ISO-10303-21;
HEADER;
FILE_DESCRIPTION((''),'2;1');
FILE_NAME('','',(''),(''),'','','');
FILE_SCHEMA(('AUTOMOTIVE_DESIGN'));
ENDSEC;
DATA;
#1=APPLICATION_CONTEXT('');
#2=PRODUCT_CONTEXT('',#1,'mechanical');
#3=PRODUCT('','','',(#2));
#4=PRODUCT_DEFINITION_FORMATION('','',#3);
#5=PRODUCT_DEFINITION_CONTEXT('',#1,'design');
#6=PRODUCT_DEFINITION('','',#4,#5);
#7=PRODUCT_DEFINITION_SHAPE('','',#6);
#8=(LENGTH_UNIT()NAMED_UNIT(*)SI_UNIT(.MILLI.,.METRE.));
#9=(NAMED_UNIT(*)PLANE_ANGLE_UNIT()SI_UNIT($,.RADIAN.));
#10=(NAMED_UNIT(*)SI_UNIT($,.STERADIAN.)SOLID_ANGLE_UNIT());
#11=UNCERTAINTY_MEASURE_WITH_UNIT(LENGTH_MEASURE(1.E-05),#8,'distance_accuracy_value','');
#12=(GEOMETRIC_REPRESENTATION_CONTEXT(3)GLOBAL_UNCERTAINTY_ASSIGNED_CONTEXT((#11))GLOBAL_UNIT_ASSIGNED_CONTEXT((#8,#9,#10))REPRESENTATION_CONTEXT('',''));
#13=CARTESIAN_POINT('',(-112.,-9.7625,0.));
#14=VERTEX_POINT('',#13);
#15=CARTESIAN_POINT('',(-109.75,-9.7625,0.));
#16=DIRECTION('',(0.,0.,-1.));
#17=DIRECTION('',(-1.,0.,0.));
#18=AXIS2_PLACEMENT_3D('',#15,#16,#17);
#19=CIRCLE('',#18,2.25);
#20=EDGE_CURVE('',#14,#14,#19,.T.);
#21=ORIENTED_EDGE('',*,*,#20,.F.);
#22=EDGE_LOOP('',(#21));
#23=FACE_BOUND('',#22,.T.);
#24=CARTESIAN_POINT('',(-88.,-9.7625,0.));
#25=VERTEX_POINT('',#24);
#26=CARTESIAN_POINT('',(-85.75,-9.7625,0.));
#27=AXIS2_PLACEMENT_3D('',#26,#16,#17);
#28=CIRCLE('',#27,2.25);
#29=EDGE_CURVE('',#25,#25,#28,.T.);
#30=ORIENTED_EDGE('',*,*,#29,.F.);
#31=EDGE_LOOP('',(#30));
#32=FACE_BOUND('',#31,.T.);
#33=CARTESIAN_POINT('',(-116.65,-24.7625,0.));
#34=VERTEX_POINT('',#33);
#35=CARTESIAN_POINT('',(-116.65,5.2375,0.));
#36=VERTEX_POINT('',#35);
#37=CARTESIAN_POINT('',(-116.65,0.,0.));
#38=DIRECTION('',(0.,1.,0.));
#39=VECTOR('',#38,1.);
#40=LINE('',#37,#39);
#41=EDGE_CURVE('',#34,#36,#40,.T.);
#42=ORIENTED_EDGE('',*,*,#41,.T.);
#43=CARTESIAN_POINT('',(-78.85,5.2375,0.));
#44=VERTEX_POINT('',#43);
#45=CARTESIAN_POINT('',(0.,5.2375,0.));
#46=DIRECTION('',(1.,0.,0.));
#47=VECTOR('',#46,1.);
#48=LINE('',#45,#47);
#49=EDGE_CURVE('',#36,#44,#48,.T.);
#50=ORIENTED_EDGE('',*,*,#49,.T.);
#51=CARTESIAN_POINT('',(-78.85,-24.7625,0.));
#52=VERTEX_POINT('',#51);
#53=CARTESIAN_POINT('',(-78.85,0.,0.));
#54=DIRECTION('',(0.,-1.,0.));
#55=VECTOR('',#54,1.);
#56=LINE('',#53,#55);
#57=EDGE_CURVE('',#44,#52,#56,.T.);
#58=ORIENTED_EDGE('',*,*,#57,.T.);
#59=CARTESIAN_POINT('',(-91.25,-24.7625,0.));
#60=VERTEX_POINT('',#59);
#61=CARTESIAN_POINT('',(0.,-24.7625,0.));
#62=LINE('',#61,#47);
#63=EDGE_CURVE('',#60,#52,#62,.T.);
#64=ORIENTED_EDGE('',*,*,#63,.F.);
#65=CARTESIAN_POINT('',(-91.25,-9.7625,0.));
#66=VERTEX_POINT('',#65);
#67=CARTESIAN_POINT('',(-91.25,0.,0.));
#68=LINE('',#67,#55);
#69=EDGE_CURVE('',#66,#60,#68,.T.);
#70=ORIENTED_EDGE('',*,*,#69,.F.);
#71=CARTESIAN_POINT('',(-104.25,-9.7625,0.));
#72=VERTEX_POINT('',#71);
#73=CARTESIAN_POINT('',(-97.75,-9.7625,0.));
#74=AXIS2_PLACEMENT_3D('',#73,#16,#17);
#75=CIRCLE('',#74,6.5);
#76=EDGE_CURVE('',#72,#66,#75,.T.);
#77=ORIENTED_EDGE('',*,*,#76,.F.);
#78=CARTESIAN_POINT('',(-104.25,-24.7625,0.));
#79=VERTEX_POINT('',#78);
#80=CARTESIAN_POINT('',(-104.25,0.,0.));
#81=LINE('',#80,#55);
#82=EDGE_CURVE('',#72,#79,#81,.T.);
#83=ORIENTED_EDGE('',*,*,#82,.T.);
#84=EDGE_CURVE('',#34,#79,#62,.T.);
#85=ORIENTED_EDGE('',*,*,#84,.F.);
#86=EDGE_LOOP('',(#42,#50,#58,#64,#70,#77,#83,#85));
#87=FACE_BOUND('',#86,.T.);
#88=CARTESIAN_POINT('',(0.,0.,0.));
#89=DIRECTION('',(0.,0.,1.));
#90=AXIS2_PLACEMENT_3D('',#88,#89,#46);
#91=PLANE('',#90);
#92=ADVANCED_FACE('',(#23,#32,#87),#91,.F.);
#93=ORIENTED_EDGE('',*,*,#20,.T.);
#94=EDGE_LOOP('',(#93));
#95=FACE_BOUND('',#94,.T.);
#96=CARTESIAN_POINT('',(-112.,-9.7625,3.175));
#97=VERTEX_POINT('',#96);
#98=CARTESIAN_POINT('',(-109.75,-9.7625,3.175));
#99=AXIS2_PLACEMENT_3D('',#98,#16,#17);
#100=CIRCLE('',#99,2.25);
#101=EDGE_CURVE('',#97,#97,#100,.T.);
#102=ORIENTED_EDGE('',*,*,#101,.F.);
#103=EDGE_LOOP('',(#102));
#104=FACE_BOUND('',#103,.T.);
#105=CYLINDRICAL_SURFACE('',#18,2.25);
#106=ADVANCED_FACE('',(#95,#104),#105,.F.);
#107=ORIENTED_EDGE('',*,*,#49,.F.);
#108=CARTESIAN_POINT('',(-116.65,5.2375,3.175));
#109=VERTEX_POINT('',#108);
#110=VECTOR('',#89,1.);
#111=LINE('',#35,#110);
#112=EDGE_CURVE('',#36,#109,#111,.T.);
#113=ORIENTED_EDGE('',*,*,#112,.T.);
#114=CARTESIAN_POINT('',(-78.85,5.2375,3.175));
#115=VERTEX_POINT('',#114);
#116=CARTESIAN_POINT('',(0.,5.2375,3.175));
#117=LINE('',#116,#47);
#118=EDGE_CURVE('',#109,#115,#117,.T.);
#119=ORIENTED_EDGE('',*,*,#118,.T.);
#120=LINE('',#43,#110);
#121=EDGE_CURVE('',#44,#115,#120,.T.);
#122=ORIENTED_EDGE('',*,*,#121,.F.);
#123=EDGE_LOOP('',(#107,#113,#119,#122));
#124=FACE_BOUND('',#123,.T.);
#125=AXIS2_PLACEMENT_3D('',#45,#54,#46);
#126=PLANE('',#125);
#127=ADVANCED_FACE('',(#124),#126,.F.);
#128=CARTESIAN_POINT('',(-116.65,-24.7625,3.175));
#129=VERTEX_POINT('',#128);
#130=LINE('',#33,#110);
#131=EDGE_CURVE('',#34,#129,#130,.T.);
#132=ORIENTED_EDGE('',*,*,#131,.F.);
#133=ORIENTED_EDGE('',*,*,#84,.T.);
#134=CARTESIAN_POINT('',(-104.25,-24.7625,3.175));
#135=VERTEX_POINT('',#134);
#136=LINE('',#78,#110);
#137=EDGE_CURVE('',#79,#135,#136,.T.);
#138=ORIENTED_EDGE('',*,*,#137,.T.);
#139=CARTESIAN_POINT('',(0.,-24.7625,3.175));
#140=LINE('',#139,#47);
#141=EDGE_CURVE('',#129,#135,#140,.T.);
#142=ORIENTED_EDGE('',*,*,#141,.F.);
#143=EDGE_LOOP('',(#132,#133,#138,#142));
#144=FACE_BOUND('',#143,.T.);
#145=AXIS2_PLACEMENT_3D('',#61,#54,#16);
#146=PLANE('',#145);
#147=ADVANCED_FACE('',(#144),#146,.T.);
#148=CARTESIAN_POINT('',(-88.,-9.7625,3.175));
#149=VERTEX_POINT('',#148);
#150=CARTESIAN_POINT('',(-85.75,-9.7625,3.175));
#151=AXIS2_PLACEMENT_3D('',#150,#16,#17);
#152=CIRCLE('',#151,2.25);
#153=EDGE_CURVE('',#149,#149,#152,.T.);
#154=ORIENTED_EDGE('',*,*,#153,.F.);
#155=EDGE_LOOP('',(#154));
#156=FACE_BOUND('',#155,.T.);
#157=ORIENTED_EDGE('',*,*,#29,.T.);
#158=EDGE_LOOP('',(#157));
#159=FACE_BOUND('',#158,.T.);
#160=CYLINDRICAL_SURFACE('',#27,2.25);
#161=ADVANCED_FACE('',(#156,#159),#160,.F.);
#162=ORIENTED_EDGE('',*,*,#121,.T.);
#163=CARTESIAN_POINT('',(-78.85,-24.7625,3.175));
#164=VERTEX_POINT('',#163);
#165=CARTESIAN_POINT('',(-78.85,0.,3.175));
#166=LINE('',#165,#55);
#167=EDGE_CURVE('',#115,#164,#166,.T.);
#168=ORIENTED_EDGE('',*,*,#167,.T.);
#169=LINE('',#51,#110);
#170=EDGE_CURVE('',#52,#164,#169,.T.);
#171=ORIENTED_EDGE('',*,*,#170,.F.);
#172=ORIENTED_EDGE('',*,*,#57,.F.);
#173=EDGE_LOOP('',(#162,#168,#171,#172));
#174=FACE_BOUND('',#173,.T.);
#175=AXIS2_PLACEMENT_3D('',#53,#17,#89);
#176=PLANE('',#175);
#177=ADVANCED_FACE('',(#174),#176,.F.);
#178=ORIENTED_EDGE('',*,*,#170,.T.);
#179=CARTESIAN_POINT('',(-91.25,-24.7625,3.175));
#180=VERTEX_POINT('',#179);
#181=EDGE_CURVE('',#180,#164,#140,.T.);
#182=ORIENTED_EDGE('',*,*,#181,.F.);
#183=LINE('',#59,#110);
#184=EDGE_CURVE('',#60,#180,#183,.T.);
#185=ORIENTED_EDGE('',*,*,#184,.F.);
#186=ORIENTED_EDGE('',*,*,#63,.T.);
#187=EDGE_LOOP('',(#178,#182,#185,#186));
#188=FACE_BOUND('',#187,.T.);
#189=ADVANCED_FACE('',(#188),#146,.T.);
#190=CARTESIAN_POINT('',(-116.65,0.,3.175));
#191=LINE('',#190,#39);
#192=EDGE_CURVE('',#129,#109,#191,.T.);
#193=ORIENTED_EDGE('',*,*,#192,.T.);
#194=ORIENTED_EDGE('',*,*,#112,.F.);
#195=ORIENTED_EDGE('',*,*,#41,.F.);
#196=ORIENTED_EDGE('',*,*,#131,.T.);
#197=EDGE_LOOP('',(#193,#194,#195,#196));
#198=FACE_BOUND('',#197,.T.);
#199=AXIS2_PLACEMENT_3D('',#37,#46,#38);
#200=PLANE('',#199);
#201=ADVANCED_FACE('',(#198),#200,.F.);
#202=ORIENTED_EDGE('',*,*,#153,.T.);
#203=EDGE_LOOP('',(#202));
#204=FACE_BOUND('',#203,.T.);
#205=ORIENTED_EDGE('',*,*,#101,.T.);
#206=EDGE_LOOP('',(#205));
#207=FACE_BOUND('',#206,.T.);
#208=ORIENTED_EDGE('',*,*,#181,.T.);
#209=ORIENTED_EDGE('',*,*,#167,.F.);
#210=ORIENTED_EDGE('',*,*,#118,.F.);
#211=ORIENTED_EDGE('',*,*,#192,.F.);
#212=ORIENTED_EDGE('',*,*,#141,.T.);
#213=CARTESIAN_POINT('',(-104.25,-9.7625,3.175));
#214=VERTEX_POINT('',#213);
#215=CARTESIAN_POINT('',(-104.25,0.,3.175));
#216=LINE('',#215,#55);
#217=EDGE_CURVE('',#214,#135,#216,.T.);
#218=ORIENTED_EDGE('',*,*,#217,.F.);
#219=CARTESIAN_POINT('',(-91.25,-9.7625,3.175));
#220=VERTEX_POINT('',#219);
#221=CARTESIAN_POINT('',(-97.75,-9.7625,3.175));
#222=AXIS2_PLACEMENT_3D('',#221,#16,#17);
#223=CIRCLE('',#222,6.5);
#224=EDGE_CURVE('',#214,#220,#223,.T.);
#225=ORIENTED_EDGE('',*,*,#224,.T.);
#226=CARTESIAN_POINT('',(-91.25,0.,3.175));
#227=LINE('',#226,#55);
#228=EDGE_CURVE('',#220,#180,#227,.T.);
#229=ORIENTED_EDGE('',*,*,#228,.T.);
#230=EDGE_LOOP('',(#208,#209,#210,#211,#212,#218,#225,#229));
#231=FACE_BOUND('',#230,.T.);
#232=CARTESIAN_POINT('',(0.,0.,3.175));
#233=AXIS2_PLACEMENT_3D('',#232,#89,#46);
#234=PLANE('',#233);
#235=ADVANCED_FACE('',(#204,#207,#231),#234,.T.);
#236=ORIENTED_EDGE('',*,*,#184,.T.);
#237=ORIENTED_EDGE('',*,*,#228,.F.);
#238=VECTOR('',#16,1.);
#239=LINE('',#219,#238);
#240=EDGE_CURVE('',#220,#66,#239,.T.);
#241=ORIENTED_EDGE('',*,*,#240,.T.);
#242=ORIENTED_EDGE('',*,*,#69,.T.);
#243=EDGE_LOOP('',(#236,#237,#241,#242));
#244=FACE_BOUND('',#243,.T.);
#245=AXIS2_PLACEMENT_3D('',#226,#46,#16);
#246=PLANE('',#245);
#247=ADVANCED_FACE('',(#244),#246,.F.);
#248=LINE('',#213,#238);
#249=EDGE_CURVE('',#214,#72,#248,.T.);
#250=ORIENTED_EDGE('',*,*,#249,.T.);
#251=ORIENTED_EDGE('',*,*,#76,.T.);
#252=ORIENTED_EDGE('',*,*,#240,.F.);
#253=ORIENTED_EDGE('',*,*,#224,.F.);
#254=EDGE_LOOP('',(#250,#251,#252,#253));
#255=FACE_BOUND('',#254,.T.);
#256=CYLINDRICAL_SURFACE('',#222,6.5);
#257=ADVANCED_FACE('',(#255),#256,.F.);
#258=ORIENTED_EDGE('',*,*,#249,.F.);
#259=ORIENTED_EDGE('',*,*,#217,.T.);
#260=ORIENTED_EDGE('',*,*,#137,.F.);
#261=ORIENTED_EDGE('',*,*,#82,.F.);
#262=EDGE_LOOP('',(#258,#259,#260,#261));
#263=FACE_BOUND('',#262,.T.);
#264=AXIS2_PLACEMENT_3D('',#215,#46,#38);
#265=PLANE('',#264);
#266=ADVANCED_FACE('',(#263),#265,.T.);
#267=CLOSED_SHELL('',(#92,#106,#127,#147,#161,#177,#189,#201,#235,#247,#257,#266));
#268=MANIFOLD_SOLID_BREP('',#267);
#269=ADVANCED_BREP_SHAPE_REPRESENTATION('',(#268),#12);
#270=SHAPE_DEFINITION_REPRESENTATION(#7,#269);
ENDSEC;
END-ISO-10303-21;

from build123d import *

# Parameters (mm, degrees)
SKETCH1_W            = 299.7
SKETCH1_H            = 76.075
BOSS_EXTRUDE1_DEPTH  = 3.175
CUT_EXTRUDE4_DEPTH   = 155.634907221
SKETCH3_R            = 6.5
CUT_EXTRUDE5_DEPTH   = 155.634907221
M4_CLEARANCE_HOLE1_D = 4.5
SKETCH12_W           = 144
SKETCH12_H           = 3.175
BOSS_EXTRUDE2_DEPTH  = 6.35
SKETCH14_R           = 2.25
SKETCH14_W           = 12.4
SKETCH14_H           = 13.275
CUT_EXTRUDE7_DEPTH   = 157.318115653


with BuildPart() as part:
    # Sketch1 → Boss-Extrude1 (new body)
    with BuildSketch(Plane.XY):
        Rectangle(SKETCH1_W, SKETCH1_H)
    extrude(amount=BOSS_EXTRUDE1_DEPTH)

    # Sketch8 → Cut-Extrude4 (cut, through all)
    with BuildSketch(Plane.XY.offset(3.175)):
        with BuildLine():
            Line((121.65, 18.5125), (123.65, 18.5125))
            ThreePointArc((123.65, 18.5125), (127.185533906, 17.048033906), (128.65, 13.5125))
            Line((128.65, 13.5125), (128.65, -27.282435401))
            ThreePointArc((128.65, -27.282435401), (127.185533906, -30.817969307), (123.65, -32.282435401))
            Line((123.65, -32.282435401), (121.65, -32.282435401))
            ThreePointArc((121.65, -32.282435401), (118.114466094, -30.817969307), (116.65, -27.282435401))
            Line((116.65, -27.282435401), (116.65, 13.5125))
            ThreePointArc((116.65, 13.5125), (118.114466094, 17.048033906), (121.65, 18.5125))
        make_face()
        with BuildLine():
            Line((128.65, -38.0375), (128.65, -27.282435401))
            ThreePointArc((128.65, -27.282435401), (127.185533906, -30.817969307), (123.65, -32.282435401))
            Line((123.65, -32.282435401), (121.65, -32.282435401))
            ThreePointArc((121.65, -32.282435401), (118.114466094, -30.817969307), (116.65, -27.282435401))
            Line((116.65, -27.282435401), (116.65, -38.0375))
            Line((116.65, -38.0375), (128.65, -38.0375))
        make_face()
    cut_extrude4 = extrude(amount=-CUT_EXTRUDE4_DEPTH, mode=Mode.SUBTRACT)

    # Mirror3: Cut-Extrude4 across plane
    add(cut_extrude4.mirror(Plane(origin=(0, 0, 0), x_dir=(0, 0, 1), z_dir=(1, 0, 0))), mode=Mode.SUBTRACT)

    # Sketch3 → Cut-Extrude5 (cut, through all)
    with BuildSketch(Plane(origin=(0, 0, 0), x_dir=(-1, 0, 0), z_dir=(0, 0, -1))):
        with Locations((-97.75, -9.7625)):
            Circle(SKETCH3_R)
        with BuildLine():
            Line((-104.25, -38.0375), (-91.25, -38.0375))
            Line((-91.25, -38.0375), (-91.25, -9.7625))
            ThreePointArc((-91.25, -9.7625), (-97.75, -16.2625), (-104.25, -9.7625))
            Line((-104.25, -9.7625), (-104.25, -38.0375))
        make_face()
        with Locations((97.75, -9.7625)):
            Circle(SKETCH3_R)
        with BuildLine():
            Line((91.25, -38.0375), (104.25, -38.0375))
            Line((104.25, -38.0375), (104.25, -9.7625))
            ThreePointArc((104.25, -9.7625), (97.75, -16.2625), (91.25, -9.7625))
            Line((91.25, -9.7625), (91.25, -38.0375))
        make_face()
    extrude(amount=-CUT_EXTRUDE5_DEPTH, mode=Mode.SUBTRACT)

    # M4 Clearance Hole1 (through all)
    with Locations(Plane(origin=(0, 0, 0), x_dir=(-1, 0, 0), z_dir=(0, 0, -1))):
        with Locations((-85.75, -9.7625), (-109.75, -9.7625), (109.75, -9.7625), (85.75, -9.7625)):
            Hole(M4_CLEARANCE_HOLE1_D / 2)

    # Sketch12 → Boss-Extrude2 (add)
    with BuildSketch(Plane.XZ.offset(38.0375)):
        with Locations((0, 1.5875)):
            Rectangle(SKETCH12_W, SKETCH12_H)
    extrude(amount=BOSS_EXTRUDE2_DEPTH)

    # Sketch14 → Cut-Extrude7 (cut, through all)
    # profile 1 of 2: a face of its own
    with BuildSketch(Plane.XY.offset(3.175)):
        with BuildLine():
            Line((-78.85, -24.7625), (-91.25, -24.7625))
            Line((-91.25, -24.7625), (-91.25, -38.0375))
            Line((-91.25, -38.0375), (-72, -38.0375))
            Line((-72, -38.0375), (-72, -44.3875))
            Line((-72, -44.3875), (72, -44.3875))
            Line((72, -44.3875), (72, -38.0375))
            Line((72, -38.0375), (91.25, -38.0375))
            Line((91.25, -38.0375), (91.25, -9.7625))
            ThreePointArc((91.25, -9.7625), (97.75, -3.2625), (104.25, -9.7625))
            Line((104.25, -9.7625), (104.25, -38.0375))
            Line((104.25, -38.0375), (116.65, -38.0375))
            Line((116.65, -38.0375), (116.65, 13.5125))
            ThreePointArc((116.65, 13.5125), (118.114466094, 17.048033906), (121.65, 18.5125))
            Line((121.65, 18.5125), (123.65, 18.5125))
            ThreePointArc((123.65, 18.5125), (127.185533906, 17.048033906), (128.65, 13.5125))
            Line((128.65, 13.5125), (128.65, -38.0375))
            Line((128.65, -38.0375), (149.85, -38.0375))
            Line((149.85, -38.0375), (149.85, 38.0375))
            Line((149.85, 38.0375), (-149.85, 38.0375))
            Line((-149.85, 38.0375), (-149.85, -38.0375))
            Line((-149.85, -38.0375), (-128.65, -38.0375))
            Line((-128.65, -38.0375), (-128.65, 13.5125))
            ThreePointArc((-128.65, 13.5125), (-127.185533906, 17.048033906), (-123.65, 18.5125))
            Line((-123.65, 18.5125), (-121.65, 18.5125))
            ThreePointArc((-121.65, 18.5125), (-118.114466094, 17.048033906), (-116.65, 13.5125))
            Line((-116.65, 13.5125), (-116.65, 5.2375))
            Line((-116.65, 5.2375), (-78.85, 5.2375))
            Line((-78.85, 5.2375), (-78.85, -24.7625))
        make_face()
        with Locations((85.75, -9.7625)):
            Circle(SKETCH14_R, mode=Mode.SUBTRACT)
        with Locations((109.75, -9.7625)):
            Circle(SKETCH14_R, mode=Mode.SUBTRACT)
    # profile 2 of 2: a face of its own
    with BuildSketch(Plane.XY.offset(3.175)):
        with Locations((-110.45, -31.4)):
            Rectangle(SKETCH14_W, SKETCH14_H)
    extrude(amount=-CUT_EXTRUDE7_DEPTH, mode=Mode.SUBTRACT)


solid = part.part
